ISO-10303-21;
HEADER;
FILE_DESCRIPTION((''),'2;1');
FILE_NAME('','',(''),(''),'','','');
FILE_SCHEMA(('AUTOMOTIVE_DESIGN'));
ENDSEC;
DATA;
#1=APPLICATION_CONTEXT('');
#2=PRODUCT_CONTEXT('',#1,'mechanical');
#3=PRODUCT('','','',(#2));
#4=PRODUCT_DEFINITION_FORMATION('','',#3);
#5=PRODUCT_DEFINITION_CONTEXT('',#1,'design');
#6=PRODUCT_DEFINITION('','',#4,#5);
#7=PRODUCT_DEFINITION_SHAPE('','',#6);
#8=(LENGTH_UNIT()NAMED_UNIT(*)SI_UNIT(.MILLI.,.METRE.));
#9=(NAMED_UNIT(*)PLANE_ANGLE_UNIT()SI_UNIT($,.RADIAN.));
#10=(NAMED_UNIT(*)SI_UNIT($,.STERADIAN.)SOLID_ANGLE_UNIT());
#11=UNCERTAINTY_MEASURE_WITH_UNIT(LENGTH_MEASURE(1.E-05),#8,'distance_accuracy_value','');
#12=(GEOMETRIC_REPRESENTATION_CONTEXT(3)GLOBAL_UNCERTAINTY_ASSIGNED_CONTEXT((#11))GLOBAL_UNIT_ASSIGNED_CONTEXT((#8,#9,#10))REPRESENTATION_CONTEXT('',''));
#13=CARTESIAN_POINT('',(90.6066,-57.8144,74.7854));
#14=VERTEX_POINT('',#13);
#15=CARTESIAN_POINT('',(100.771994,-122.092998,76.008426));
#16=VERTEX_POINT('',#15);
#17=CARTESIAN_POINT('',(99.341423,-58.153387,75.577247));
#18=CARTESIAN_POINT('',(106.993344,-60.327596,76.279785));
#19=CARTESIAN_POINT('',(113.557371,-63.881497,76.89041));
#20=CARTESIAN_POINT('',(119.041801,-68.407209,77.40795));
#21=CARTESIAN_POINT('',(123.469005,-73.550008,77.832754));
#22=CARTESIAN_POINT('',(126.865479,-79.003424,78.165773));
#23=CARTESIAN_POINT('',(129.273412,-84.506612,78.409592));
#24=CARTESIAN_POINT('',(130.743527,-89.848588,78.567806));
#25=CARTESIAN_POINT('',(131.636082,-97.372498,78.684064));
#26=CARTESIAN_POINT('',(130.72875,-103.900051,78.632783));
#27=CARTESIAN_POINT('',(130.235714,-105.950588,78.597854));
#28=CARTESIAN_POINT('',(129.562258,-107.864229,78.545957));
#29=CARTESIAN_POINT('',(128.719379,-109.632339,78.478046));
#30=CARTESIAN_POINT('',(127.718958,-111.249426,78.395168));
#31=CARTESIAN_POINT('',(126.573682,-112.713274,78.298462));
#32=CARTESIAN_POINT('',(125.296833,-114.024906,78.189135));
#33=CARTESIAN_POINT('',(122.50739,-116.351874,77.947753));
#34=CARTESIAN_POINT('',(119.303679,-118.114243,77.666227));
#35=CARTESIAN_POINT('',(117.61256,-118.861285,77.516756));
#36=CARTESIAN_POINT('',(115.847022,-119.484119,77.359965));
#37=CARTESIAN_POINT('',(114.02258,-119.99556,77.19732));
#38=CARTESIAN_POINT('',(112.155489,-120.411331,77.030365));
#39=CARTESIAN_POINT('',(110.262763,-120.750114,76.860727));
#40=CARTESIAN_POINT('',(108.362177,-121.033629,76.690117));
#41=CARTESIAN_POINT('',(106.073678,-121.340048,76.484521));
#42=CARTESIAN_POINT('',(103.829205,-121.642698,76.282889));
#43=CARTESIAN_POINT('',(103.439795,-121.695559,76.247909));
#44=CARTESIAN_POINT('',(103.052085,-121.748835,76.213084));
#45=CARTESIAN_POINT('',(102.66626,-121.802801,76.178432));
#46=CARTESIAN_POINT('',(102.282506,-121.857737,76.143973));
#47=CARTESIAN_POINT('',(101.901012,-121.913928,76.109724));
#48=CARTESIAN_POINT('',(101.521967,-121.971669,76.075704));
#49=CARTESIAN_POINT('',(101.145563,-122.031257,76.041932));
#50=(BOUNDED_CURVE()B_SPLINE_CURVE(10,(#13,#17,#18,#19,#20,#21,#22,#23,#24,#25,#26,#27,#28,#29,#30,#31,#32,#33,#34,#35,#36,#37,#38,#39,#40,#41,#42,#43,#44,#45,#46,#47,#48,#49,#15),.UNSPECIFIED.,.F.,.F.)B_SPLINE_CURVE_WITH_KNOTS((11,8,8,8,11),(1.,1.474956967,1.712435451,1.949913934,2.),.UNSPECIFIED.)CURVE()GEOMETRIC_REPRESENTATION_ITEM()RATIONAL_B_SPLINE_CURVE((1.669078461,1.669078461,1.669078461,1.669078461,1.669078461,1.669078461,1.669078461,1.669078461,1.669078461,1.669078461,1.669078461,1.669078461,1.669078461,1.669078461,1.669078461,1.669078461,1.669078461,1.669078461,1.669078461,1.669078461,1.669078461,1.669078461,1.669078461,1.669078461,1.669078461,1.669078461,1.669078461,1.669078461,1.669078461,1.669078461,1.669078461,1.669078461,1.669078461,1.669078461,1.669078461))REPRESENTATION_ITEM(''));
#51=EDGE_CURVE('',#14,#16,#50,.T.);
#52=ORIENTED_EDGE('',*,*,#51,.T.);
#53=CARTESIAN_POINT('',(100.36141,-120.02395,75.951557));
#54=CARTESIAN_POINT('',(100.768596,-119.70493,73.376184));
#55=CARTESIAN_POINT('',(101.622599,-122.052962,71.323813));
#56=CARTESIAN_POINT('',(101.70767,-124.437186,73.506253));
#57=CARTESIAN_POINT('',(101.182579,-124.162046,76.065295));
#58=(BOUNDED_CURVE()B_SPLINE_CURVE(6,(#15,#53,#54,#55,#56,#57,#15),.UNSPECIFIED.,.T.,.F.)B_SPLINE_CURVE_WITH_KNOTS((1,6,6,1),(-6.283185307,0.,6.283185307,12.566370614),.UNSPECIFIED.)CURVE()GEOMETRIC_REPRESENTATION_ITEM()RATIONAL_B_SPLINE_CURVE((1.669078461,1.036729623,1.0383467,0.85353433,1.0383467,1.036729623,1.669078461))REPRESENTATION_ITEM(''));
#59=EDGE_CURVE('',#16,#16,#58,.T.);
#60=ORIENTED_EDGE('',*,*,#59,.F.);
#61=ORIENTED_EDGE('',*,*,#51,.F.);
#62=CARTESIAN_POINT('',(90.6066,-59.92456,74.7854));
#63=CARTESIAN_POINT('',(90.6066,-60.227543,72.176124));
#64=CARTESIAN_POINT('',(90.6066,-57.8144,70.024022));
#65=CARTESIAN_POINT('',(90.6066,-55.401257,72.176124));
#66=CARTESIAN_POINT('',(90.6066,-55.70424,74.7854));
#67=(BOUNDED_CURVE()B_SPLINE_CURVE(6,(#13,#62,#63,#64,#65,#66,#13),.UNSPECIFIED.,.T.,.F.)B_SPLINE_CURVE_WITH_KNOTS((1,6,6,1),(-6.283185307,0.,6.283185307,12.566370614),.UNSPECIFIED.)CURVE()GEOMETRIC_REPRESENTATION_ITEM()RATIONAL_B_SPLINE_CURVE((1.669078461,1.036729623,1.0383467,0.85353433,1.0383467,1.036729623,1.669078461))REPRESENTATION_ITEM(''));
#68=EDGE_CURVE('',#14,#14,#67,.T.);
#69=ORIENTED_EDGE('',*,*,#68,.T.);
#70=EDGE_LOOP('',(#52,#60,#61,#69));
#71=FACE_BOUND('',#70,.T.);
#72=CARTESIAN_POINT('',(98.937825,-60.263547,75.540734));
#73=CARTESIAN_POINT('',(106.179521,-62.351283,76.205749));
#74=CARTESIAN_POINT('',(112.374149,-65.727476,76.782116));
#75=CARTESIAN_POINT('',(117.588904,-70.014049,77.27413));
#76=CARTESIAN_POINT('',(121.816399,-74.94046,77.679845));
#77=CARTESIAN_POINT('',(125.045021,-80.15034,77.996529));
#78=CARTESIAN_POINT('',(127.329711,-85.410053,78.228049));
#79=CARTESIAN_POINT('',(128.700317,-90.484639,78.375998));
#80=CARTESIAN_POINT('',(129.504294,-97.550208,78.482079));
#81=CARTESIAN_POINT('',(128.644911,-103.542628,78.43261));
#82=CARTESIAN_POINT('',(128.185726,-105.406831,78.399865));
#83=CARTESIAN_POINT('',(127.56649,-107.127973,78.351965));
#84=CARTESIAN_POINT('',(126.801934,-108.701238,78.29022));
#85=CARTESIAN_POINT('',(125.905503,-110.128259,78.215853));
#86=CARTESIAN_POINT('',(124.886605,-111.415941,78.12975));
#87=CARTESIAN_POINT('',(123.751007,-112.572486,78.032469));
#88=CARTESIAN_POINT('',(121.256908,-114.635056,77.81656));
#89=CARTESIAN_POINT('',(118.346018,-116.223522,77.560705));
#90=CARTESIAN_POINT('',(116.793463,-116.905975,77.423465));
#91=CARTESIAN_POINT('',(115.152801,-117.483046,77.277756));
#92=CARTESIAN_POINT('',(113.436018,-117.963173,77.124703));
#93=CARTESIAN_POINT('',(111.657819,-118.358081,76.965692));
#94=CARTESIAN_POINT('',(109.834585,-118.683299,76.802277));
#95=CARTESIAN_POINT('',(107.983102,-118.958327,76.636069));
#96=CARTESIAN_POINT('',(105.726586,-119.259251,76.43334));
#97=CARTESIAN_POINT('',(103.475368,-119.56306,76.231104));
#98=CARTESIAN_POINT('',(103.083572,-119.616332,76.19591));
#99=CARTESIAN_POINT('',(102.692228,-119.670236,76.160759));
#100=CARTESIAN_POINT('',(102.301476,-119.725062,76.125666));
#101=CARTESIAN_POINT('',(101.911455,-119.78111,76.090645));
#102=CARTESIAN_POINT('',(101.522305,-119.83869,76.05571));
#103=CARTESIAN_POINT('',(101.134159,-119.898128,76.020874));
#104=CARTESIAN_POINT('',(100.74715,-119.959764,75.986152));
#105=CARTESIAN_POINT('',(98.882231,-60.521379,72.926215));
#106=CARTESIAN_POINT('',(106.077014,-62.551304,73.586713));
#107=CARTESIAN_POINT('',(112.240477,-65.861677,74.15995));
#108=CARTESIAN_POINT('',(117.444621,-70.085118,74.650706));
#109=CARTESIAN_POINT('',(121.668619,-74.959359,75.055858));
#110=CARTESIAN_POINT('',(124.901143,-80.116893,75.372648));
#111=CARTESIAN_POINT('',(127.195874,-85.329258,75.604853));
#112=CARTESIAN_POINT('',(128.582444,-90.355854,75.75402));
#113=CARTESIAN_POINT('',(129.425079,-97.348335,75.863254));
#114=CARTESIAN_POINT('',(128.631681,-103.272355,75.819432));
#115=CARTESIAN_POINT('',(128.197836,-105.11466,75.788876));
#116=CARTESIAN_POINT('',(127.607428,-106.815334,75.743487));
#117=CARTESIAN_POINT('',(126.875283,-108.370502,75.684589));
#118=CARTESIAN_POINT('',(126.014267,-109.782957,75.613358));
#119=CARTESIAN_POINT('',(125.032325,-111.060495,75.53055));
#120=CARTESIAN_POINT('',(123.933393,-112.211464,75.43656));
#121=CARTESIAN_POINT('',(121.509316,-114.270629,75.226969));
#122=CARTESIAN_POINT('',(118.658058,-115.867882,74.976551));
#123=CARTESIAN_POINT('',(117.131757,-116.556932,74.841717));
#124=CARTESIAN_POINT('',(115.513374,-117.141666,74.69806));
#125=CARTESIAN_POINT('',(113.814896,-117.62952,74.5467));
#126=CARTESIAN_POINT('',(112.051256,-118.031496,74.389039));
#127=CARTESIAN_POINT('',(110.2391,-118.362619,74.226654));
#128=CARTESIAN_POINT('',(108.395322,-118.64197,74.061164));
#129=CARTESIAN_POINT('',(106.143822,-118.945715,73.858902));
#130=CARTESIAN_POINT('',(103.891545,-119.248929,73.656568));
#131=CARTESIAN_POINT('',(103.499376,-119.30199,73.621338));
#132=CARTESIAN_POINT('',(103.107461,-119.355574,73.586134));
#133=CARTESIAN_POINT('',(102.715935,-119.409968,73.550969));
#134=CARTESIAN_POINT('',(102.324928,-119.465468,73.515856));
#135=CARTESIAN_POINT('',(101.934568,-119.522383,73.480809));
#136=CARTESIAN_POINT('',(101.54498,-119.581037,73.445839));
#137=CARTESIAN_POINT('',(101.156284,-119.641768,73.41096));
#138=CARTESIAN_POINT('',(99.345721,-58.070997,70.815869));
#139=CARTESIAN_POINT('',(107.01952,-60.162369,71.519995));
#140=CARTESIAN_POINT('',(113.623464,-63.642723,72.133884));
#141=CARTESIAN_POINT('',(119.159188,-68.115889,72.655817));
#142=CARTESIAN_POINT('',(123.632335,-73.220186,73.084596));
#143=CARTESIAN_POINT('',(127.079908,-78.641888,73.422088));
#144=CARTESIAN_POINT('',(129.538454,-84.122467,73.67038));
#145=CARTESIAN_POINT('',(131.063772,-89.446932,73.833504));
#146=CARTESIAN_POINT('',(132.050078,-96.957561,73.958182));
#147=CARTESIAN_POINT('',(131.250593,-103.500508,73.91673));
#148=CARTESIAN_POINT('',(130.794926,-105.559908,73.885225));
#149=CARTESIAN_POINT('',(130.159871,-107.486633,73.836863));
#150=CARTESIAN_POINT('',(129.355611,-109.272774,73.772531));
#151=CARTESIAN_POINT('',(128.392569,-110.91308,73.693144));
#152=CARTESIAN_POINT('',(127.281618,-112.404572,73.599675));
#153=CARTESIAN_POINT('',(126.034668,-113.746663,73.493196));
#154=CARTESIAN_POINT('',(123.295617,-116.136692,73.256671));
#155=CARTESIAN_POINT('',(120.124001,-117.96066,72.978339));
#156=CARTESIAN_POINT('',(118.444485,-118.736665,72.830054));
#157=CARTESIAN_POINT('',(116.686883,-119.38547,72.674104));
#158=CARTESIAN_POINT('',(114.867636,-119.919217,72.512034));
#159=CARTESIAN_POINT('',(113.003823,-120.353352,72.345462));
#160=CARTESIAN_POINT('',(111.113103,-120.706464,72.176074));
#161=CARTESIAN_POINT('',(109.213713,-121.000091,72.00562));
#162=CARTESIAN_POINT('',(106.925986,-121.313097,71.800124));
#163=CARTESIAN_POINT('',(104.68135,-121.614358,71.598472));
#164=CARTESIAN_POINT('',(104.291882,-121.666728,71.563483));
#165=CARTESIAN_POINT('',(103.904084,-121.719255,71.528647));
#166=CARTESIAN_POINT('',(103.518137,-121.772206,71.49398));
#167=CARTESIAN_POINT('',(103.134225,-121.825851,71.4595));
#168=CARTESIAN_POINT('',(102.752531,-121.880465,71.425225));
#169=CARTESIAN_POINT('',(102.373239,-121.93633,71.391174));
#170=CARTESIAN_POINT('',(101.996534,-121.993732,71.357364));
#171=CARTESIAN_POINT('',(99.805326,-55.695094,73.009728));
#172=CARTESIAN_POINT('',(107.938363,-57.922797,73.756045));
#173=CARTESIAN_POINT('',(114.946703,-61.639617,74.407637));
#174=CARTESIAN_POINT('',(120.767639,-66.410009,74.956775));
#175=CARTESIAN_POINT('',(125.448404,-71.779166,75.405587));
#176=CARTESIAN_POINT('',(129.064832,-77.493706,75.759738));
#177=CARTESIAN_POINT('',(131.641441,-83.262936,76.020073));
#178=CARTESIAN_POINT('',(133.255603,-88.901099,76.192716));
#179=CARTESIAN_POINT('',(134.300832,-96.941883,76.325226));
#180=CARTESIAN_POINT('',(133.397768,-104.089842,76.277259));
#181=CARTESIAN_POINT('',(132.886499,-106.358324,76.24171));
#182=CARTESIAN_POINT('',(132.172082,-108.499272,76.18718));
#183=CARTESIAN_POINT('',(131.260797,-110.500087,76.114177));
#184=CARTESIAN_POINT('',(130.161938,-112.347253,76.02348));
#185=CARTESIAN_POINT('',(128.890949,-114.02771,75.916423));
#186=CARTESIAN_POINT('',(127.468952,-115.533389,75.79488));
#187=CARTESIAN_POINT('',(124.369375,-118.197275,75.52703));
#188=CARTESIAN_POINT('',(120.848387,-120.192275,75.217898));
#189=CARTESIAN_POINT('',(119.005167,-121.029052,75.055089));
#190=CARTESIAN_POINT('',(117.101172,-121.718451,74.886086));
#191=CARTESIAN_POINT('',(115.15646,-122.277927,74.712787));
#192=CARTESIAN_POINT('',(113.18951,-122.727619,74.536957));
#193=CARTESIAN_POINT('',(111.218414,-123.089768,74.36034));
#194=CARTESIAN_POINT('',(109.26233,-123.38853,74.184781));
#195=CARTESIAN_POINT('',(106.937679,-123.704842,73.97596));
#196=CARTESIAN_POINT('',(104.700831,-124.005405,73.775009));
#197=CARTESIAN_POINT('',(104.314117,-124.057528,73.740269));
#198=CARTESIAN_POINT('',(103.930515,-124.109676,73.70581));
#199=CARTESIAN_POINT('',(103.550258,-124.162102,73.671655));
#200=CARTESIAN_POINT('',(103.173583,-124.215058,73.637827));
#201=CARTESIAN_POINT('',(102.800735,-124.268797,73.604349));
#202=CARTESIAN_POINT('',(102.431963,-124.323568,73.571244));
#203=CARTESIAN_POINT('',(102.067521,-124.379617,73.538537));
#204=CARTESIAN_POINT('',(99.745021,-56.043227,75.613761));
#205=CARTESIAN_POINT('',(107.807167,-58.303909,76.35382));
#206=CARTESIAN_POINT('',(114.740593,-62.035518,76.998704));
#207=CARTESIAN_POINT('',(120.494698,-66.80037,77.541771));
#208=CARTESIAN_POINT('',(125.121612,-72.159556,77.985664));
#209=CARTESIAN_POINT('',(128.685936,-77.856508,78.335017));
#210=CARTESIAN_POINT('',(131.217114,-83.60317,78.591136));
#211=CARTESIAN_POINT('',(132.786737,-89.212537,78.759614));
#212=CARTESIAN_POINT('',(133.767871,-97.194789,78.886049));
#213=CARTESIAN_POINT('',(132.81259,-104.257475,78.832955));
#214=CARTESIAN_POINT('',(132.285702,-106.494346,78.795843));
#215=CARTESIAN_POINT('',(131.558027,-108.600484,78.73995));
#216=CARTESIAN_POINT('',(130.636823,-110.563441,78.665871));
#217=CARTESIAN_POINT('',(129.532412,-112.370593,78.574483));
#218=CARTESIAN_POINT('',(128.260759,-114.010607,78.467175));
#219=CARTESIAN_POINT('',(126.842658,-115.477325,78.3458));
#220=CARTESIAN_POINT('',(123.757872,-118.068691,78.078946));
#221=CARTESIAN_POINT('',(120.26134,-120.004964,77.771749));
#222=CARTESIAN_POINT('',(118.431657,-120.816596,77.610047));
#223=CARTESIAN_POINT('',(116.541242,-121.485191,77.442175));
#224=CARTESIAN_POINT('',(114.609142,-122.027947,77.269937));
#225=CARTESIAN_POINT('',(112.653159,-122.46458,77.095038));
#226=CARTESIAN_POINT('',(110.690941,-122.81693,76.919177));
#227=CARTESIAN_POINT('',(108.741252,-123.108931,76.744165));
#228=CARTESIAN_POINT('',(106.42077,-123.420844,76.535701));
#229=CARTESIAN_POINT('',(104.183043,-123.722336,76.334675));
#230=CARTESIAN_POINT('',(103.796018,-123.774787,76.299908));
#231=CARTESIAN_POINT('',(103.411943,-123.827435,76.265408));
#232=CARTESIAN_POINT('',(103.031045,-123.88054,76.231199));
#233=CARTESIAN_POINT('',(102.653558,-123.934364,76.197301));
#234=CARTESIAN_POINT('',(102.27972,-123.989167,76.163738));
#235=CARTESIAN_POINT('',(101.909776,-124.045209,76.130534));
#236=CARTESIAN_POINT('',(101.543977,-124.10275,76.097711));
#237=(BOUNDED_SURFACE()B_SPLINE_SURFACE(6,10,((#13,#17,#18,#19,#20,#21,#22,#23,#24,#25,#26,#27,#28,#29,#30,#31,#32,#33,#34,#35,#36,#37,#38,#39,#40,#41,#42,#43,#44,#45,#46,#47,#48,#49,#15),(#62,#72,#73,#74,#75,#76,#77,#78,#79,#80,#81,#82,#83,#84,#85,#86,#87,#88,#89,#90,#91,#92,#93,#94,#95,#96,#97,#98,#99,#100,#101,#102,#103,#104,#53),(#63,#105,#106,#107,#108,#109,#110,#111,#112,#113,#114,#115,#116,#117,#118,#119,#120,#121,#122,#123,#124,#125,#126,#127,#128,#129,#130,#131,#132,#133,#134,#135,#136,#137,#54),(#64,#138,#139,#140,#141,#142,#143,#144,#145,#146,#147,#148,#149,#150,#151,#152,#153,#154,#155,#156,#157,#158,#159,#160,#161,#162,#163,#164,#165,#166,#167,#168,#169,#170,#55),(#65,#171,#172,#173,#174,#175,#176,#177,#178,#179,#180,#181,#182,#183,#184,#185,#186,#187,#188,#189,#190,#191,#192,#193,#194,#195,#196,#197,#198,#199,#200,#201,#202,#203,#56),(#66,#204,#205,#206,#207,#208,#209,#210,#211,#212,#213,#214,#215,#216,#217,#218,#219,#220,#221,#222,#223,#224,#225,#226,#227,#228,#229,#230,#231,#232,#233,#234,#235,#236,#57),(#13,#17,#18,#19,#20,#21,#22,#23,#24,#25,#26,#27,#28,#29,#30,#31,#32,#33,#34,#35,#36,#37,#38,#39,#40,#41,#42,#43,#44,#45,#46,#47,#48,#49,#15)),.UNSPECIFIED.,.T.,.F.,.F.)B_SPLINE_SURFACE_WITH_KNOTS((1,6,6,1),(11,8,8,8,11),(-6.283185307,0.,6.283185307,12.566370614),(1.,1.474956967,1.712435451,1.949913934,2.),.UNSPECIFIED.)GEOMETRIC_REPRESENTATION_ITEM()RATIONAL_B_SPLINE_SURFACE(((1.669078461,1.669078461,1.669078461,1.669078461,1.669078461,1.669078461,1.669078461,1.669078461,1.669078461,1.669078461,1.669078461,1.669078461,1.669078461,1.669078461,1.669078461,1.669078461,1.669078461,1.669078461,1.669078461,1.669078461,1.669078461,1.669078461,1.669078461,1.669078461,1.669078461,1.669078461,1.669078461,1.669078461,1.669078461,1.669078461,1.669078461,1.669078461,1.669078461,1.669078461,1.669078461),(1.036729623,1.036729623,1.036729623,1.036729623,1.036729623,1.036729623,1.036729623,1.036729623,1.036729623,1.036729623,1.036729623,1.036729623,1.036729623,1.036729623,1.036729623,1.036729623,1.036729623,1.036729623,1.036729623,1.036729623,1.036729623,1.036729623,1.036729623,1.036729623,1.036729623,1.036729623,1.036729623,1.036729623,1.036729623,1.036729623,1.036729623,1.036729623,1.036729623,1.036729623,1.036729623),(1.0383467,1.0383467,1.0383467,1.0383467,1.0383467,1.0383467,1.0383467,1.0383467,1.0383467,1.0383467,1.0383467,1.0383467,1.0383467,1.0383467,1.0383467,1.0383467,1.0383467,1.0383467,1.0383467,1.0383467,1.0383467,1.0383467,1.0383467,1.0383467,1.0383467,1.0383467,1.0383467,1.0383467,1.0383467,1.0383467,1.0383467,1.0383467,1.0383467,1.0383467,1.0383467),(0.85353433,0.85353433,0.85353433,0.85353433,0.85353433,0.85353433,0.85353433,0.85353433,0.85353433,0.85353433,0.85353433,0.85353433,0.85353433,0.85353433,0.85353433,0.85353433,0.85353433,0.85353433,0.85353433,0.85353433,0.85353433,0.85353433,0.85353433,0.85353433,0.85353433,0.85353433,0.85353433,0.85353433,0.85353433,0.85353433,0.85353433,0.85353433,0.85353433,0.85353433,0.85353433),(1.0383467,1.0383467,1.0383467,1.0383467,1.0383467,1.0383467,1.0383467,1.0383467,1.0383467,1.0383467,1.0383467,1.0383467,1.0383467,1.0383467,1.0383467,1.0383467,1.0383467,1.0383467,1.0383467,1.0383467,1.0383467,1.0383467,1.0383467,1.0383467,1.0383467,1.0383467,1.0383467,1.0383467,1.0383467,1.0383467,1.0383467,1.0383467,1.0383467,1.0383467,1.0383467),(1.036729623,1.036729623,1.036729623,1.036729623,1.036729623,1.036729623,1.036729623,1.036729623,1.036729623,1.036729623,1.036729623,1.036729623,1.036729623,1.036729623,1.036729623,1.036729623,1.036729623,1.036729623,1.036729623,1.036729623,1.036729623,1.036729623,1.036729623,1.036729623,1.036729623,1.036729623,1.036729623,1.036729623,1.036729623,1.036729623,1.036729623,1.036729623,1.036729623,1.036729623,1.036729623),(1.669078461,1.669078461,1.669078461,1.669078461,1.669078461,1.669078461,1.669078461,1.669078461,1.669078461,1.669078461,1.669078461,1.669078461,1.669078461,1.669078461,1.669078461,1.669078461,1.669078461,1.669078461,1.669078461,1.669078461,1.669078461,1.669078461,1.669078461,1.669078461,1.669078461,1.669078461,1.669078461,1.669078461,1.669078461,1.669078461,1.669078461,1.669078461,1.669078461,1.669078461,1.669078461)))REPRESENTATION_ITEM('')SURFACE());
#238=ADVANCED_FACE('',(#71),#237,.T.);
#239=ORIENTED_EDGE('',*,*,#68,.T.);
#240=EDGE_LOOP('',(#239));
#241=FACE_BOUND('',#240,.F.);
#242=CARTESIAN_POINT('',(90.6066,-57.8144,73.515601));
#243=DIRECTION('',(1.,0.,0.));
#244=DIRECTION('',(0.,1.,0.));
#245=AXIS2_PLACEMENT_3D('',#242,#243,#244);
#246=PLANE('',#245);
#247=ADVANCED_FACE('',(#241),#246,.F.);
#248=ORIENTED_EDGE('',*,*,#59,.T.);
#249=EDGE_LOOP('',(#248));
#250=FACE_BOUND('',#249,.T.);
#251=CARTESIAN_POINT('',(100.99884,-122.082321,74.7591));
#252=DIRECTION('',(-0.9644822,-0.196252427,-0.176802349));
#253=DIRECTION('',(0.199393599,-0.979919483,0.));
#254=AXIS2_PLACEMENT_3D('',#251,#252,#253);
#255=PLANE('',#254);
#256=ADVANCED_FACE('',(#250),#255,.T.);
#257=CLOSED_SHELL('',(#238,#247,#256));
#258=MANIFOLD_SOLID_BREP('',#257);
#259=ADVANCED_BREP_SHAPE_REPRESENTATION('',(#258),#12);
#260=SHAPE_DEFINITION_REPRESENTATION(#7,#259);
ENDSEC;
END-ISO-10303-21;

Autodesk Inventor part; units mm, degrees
ref_plane "YZ Plane" through (0, 0, 0) normal (1, 0, 0) x (0, 1, 0)
ref_plane "XZ Plane" through (0, 0, 0) normal (0, 1, 0) x (-1, 0, 0)
ref_plane "XY Plane" through (0, 0, 0) normal (0, 0, 1) x (1, 0, 0)
ref_plane "Work Plane1" through (90.6066, -57.8144, 73.5154) normal (1, 0, 0) x (0, 0, 1)
sketch "Sketch1" plane through (90.6066, -57.8144, 73.5154) normal (1, 0, 0) x (0, 0, 1)
  circle A0 centre (0, 0) radius 1.27
  point P0 (-73.5154, -57.8144)
  dimension "d0" = 2.54
ref_plane "Work Plane2" through (101.0004, -122.0907, 74.7595) normal (1, 0, 0) x (0, 1, 0)
sketch "Sketch2" plane through (101.0004, -122.0907, 74.7595) normal (1, 0, 0) x (0, 1, 0)
  circle A0 centre (0, 0) radius 3.5687
  point P0 (122.0907, -74.7595)
  dimension "d1" = 7.1374
ref_plane "Work Plane3" through (90.6066, -57.8144, 73.5154) normal (0.0901, -0.0047, -0.9959) x (0.1596, -0.987, 0.0191)
sketch "Sketch3" plane through (90.6066, -57.8144, 73.5154) normal (0.0901, -0.0047, -0.9959) x (0.1596, -0.987, 0.0191)
  line L0 (0, 0) -> (9.0654, -45.3035) construction
  line L1 (9.0654, -45.3035) -> (72.5715, -45.3035) construction
  line L2 (72.5715, -45.3035) -> (65.1146, -18.9726) construction
  line L3 (65.1146, -18.9726) -> (65.1146, 0) construction
  spline S0 degree 4 poles (0, 0) (9.0654, -45.3035) (72.5715, -45.3035) (65.1146, -18.9726) (65.1146, 0) knots 1 1 1 1 1 2 2 2 2 2
  point P0 (-72.928, 86.2665)
sweep "Sweep1" add profiles "Sketch1" path "Sketch3"
properties part number "usb Wire"
